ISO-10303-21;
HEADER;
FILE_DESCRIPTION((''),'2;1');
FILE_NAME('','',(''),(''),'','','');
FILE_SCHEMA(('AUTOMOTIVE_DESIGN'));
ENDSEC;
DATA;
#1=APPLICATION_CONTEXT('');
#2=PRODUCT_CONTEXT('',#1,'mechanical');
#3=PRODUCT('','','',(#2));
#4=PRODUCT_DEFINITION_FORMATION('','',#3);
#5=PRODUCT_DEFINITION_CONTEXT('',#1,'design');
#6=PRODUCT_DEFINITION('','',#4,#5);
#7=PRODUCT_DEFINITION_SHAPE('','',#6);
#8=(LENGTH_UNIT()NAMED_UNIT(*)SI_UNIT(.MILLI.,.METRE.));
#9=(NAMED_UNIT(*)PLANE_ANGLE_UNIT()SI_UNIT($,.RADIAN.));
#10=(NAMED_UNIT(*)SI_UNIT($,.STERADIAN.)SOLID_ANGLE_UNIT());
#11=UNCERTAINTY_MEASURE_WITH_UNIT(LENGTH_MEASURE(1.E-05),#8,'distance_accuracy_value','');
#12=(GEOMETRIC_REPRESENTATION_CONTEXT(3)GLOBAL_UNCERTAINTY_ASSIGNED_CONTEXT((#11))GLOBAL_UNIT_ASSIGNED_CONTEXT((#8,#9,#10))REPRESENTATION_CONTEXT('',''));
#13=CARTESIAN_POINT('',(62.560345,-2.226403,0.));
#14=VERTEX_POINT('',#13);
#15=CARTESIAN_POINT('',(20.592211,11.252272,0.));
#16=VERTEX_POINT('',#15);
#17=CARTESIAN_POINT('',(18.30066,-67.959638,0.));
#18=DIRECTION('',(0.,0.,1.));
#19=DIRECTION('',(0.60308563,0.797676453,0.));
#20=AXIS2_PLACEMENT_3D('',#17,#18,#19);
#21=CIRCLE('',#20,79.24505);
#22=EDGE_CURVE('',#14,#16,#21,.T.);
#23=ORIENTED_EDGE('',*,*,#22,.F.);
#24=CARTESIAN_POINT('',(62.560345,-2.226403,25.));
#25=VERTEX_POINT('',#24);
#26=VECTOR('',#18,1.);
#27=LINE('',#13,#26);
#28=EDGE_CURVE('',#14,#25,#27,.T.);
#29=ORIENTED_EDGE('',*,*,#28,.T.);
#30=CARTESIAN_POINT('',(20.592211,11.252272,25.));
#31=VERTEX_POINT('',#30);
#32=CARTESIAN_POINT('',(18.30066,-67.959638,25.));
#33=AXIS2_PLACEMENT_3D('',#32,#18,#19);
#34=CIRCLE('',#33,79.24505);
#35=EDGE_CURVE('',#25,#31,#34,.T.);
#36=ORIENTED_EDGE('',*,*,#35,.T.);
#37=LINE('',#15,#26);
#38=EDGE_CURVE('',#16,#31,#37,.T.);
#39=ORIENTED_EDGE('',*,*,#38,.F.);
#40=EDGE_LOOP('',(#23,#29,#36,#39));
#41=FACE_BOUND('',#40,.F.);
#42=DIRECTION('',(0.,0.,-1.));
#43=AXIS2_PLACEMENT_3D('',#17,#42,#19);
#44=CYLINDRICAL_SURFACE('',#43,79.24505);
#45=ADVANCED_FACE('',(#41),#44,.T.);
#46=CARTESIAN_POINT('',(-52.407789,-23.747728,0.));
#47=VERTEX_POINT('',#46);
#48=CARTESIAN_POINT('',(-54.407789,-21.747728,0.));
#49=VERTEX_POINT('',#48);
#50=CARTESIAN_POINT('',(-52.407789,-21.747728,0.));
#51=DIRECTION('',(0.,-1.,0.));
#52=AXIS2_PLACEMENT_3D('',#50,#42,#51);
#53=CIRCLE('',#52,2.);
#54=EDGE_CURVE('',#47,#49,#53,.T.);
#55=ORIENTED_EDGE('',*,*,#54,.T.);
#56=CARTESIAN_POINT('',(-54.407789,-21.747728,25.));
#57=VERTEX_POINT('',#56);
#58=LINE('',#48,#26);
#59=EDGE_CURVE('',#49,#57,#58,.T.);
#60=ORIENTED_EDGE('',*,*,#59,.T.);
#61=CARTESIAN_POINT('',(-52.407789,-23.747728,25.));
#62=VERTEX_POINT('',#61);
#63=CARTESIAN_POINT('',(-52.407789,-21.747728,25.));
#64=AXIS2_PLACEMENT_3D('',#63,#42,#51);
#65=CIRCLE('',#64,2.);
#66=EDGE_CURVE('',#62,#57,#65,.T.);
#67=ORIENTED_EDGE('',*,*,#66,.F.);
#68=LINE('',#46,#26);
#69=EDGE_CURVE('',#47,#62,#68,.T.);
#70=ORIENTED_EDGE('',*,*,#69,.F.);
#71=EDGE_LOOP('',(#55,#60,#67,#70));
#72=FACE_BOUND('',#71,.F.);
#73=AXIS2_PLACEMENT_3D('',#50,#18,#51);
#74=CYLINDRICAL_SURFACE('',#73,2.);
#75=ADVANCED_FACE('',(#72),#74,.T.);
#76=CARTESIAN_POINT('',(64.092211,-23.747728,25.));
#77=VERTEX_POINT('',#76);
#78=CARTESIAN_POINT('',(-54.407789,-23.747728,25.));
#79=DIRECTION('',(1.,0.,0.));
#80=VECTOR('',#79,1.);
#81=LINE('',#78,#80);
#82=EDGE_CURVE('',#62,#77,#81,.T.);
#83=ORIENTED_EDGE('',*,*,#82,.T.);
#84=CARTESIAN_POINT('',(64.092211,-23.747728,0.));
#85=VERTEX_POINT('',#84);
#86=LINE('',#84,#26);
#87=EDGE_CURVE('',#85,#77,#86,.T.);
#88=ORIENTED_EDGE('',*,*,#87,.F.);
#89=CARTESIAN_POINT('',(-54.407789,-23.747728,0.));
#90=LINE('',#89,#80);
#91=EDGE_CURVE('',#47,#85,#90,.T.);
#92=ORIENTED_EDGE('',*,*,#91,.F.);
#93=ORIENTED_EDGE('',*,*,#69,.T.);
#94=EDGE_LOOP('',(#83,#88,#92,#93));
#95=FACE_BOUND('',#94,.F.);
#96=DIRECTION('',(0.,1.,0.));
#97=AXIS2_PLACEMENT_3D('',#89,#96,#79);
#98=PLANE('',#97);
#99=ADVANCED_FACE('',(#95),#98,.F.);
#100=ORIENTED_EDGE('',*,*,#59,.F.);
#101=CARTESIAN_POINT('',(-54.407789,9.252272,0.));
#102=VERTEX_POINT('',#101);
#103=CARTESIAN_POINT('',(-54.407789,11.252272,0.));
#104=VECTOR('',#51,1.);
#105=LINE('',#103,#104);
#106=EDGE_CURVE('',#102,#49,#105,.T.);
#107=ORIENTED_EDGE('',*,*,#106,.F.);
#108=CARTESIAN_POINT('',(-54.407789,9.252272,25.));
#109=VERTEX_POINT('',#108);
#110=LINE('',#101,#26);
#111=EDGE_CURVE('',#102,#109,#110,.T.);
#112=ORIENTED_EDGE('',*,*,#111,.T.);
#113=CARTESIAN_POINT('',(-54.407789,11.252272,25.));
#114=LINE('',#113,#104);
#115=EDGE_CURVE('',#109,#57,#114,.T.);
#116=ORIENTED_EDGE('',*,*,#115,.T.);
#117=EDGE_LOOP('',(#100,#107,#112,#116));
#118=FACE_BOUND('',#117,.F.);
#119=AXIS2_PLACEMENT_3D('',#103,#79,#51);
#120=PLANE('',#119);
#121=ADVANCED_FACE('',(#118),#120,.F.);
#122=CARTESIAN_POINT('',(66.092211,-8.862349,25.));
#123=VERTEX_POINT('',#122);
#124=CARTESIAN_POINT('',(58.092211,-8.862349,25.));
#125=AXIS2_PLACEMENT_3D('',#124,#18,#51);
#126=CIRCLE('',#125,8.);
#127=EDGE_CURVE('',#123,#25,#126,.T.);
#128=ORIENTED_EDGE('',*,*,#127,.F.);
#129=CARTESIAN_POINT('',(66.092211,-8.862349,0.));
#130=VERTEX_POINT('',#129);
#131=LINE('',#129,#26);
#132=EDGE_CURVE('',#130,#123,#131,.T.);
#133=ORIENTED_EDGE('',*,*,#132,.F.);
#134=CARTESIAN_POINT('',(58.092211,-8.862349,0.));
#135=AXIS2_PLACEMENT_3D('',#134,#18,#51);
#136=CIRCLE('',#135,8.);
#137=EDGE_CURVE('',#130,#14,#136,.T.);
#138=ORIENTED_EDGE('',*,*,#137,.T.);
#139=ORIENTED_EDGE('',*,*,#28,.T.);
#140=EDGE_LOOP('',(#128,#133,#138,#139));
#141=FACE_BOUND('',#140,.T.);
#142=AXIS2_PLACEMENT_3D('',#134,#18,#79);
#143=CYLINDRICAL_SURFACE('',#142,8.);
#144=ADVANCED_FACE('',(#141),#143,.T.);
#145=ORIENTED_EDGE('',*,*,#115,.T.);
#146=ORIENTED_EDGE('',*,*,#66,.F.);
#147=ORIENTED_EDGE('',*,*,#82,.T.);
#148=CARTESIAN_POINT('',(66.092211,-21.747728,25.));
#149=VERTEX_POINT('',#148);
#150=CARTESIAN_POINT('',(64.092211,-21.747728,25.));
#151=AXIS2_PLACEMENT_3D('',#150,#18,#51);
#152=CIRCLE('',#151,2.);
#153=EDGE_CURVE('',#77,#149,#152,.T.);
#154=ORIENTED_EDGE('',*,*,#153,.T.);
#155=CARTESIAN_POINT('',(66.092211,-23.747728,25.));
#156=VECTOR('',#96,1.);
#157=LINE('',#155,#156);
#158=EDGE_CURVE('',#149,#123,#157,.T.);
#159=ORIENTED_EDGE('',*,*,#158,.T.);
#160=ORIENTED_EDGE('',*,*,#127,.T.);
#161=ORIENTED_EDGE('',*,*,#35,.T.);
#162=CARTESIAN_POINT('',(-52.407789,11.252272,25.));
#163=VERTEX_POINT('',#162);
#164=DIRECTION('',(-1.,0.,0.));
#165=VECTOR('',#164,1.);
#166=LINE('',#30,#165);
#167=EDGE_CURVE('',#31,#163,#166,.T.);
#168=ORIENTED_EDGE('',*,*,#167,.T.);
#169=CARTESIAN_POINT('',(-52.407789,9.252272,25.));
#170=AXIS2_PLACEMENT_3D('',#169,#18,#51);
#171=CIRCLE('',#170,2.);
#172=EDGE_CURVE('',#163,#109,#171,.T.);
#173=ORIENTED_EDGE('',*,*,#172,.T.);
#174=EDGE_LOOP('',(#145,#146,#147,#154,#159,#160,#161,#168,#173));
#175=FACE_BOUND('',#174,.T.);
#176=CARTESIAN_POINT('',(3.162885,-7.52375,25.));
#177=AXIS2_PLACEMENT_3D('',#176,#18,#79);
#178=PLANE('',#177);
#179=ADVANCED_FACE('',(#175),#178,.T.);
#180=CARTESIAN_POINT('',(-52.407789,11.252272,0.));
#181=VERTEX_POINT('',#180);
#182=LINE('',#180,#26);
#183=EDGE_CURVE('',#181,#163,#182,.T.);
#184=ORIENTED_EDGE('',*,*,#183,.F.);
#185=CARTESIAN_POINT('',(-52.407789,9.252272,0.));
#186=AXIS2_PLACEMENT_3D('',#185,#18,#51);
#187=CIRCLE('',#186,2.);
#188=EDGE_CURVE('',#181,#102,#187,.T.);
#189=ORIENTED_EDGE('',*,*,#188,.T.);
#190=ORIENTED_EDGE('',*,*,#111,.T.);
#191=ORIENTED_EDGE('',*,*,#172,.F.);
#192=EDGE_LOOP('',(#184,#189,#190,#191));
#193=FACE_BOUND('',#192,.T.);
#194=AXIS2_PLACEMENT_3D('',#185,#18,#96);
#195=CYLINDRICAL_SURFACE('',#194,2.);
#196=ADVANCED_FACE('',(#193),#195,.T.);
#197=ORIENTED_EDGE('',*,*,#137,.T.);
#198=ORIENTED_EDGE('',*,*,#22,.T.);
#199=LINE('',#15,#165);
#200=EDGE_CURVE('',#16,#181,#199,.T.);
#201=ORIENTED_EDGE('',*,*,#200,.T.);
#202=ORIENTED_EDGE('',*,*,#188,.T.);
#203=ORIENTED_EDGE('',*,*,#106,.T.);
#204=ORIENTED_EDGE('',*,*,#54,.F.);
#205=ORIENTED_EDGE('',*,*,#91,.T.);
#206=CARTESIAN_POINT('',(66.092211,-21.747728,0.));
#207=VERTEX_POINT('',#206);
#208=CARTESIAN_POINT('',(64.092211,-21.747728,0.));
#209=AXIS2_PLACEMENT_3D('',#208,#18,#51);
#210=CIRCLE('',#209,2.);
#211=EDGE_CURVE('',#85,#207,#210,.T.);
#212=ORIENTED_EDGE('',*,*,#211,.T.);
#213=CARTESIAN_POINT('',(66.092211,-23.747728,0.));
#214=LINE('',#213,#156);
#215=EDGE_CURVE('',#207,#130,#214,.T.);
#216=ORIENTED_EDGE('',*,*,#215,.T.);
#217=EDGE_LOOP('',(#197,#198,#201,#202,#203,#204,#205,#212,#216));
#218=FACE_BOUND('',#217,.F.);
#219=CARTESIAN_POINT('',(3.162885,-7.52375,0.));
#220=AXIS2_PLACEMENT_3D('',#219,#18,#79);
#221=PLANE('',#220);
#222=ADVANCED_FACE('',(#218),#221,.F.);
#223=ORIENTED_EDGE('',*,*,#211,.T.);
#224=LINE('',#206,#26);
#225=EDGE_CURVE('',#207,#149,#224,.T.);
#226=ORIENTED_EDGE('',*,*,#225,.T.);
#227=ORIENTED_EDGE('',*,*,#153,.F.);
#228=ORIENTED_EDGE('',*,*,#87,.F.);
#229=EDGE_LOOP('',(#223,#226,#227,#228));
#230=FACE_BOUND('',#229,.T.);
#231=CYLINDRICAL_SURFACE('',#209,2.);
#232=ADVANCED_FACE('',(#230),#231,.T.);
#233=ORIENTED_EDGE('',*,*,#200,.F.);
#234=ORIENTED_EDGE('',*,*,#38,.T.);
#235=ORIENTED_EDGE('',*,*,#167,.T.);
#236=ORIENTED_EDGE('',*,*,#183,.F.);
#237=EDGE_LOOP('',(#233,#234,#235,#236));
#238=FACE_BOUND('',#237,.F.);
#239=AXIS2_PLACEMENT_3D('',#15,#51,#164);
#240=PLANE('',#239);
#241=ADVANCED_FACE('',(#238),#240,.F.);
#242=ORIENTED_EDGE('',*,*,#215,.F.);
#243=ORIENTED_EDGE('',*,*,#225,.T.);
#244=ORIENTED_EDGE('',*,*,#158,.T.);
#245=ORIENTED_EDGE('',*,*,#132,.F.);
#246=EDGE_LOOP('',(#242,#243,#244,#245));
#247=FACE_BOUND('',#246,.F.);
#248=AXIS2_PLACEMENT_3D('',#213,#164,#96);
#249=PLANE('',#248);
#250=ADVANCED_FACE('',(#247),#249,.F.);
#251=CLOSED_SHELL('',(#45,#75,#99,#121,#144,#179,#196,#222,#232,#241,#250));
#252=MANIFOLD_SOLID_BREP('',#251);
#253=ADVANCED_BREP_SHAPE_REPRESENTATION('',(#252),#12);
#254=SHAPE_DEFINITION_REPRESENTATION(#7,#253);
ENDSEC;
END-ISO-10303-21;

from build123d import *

# Parameters (mm, degrees)
F1_DEPTH = 25
F2_R     = 2
F3_R     = 8


with BuildPart() as f1:
    # F0 (on Top) → F1 (new body)
    with BuildSketch(Plane.XY):
        with BuildLine():
            Line((-54.407789, -23.747728), (66.092211, -23.747728))
            Line((66.092211, -23.747728), (66.092211, -4.747728))
            ThreePointArc((66.092211, -4.747728), (44.589047, 6.797961), (20.592211, 11.252272))
            Line((20.592211, 11.252272), (-54.407789, 11.252272))
            Line((-54.407789, 11.252272), (-54.407789, -23.747728))
        make_face()
    extrude(amount=F1_DEPTH)

    # F2
    f2_edges = [f1.edges().sort_by_distance(p)[0] for p in [
        (-54.407789, -23.747728, 12.5),
        (66.092211, -23.747728, 12.5),
        (-54.407789, 11.252272, 12.5),
    ]]
    fillet(f2_edges, radius=F2_R)

    # F3
    f3_edges = [f1.edges().sort_by_distance(p)[0] for p in [
        (66.092211, -4.747728, 12.5),
    ]]
    fillet(f3_edges, radius=F3_R)


solid = f1.part
